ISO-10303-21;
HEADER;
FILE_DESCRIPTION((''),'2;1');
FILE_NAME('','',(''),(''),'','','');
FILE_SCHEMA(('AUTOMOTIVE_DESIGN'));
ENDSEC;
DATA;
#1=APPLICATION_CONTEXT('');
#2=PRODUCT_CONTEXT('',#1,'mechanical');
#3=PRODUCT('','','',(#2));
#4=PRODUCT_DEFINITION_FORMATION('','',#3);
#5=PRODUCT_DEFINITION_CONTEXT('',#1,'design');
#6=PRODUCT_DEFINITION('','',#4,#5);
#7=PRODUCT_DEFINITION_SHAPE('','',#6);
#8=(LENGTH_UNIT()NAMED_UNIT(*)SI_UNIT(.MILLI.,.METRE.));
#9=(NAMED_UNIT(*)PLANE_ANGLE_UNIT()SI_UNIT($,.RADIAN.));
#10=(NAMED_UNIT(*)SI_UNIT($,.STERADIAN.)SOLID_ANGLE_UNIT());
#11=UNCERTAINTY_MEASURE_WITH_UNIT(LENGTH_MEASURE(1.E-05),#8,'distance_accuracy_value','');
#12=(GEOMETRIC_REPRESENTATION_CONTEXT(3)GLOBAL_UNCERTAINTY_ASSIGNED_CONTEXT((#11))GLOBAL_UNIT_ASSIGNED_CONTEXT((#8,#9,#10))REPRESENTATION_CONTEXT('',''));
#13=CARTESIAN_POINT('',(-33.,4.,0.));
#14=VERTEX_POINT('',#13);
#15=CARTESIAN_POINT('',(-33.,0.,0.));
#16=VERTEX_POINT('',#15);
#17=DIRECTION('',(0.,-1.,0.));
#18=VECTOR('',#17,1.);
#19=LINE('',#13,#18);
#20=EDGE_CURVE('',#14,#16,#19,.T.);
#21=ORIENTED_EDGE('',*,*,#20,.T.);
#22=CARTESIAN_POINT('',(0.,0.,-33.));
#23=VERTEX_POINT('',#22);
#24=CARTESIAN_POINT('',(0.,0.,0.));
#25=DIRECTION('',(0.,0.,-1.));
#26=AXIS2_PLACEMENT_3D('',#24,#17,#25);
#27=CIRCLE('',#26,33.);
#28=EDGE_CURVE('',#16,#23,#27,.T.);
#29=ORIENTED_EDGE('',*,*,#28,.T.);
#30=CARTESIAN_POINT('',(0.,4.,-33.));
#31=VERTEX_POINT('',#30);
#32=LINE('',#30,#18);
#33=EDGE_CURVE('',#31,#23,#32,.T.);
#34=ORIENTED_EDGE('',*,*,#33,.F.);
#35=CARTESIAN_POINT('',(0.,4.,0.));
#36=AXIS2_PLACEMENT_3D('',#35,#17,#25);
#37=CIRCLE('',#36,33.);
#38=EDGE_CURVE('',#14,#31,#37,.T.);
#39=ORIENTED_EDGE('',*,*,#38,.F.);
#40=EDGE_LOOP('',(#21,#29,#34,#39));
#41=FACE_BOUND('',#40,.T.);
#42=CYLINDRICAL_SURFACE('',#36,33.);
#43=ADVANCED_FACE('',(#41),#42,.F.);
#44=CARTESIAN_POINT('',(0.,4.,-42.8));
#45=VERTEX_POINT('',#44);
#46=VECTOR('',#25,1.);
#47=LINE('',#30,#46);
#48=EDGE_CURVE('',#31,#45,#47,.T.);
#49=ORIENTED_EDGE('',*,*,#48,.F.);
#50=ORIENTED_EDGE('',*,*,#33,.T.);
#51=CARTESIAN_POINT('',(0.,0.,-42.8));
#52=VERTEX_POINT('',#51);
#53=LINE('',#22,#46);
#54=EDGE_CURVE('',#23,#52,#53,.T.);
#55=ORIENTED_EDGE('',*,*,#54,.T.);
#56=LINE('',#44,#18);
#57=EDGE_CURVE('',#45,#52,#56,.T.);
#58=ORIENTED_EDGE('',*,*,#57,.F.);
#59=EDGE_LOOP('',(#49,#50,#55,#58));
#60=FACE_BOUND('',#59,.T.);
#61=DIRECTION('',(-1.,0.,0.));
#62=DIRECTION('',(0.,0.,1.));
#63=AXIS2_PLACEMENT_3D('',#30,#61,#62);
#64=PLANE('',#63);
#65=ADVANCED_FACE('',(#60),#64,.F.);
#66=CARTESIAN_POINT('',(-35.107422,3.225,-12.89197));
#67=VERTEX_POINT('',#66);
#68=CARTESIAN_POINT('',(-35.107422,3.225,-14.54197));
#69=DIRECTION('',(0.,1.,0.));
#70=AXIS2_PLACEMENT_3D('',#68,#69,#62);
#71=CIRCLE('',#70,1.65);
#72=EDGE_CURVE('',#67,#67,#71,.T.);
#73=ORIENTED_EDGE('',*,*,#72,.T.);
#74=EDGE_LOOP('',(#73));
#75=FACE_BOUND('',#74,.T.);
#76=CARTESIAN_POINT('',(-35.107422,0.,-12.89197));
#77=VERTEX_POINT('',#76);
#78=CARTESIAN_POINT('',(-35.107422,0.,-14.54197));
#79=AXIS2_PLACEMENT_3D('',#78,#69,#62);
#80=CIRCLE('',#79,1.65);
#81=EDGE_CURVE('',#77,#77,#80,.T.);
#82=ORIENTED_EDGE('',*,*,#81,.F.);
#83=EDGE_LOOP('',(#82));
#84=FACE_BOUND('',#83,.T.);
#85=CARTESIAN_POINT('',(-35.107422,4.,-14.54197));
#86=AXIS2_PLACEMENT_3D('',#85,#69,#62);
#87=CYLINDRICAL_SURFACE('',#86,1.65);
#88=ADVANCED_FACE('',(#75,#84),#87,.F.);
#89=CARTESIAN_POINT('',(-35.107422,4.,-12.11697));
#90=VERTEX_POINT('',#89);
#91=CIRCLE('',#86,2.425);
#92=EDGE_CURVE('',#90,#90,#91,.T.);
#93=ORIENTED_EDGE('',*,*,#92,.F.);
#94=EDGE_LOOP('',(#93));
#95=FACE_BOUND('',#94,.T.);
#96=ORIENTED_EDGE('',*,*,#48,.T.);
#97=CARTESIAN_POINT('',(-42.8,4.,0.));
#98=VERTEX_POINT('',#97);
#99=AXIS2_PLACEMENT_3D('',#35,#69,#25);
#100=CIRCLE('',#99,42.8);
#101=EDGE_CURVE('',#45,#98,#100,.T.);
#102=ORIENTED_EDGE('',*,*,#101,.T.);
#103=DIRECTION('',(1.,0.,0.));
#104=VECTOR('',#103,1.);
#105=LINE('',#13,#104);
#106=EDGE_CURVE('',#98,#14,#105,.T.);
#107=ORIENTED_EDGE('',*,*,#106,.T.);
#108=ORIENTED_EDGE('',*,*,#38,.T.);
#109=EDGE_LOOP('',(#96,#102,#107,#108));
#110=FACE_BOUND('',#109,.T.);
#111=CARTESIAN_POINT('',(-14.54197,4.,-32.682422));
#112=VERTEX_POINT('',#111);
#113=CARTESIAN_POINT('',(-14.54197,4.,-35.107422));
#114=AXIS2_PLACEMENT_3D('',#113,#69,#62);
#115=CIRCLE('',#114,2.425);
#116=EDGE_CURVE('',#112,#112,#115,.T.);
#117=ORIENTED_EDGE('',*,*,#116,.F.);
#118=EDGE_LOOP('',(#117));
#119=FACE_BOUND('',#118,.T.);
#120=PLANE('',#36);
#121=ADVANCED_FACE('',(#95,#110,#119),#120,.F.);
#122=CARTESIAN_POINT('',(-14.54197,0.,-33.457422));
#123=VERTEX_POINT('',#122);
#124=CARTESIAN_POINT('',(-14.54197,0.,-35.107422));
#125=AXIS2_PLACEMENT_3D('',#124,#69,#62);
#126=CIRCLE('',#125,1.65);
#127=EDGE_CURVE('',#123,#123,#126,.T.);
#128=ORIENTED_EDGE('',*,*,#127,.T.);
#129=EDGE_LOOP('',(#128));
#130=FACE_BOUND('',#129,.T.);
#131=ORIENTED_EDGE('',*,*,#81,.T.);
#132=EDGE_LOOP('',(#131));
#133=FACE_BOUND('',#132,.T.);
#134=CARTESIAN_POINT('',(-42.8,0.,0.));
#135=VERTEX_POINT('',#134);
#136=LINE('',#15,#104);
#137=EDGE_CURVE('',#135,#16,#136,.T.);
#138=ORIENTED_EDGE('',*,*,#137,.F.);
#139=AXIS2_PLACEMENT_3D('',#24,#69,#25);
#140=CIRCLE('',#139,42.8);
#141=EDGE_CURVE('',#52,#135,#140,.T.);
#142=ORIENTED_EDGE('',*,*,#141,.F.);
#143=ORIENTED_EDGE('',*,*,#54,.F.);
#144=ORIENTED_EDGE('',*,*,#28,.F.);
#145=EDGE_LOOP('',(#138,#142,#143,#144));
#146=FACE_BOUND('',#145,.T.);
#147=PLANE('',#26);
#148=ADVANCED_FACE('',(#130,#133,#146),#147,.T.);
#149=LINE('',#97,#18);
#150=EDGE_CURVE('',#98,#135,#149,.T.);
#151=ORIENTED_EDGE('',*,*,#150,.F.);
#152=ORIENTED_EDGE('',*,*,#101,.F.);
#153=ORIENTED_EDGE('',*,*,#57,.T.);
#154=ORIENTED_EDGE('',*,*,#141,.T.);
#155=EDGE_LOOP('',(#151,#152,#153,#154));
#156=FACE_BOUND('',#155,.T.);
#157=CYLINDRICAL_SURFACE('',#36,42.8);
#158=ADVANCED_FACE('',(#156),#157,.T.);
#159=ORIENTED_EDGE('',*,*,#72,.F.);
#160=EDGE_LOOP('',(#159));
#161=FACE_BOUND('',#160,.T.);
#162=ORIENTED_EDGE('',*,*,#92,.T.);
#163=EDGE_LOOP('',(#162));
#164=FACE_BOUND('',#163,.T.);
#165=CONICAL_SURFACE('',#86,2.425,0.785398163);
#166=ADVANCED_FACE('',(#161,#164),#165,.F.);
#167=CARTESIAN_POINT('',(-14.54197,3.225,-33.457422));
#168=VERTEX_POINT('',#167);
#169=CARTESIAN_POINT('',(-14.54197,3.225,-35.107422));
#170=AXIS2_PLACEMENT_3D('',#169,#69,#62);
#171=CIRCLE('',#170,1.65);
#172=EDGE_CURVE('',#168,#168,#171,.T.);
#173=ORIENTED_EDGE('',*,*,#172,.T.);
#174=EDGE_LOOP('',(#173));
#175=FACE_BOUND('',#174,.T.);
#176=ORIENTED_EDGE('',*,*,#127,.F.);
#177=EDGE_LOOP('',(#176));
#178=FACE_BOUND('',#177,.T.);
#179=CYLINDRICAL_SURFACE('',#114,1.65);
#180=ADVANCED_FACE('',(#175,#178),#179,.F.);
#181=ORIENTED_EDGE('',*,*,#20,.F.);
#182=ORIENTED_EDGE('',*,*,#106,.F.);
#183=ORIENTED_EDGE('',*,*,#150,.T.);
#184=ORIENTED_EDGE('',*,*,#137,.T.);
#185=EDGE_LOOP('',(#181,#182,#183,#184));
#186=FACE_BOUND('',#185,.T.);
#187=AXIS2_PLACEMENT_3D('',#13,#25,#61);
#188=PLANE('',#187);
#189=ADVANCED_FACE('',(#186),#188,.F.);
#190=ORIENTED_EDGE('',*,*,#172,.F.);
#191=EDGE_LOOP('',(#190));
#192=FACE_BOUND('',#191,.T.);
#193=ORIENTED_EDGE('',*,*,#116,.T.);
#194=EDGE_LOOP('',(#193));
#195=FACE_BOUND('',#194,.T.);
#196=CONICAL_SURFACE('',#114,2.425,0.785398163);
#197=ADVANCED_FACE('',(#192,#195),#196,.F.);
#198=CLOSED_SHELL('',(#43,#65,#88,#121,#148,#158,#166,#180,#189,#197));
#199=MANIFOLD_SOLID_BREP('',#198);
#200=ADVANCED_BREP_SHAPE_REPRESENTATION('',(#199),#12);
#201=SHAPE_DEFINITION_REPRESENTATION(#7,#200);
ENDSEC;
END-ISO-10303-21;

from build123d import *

# Parameters (mm, degrees)
BOSS_EXTRUDE1_DEPTH         = 4
M4_TAPPED_HOLE1_D           = 3.3
M4_TAPPED_HOLE1_CSINK_D     = 4.85
M4_TAPPED_HOLE1_CSINK_ANGLE = 90
CIRPATTERN1_COUNT           = 8


with BuildPart() as part:
    # Sketch1 → Boss-Extrude1 (new body)
    with BuildSketch(Plane(origin=(0, 0, 0), x_dir=(1, 0, 0), z_dir=(0, 1, 0))):
        with BuildLine():
            Line((0, 33), (0, 42.8))
            ThreePointArc((0, 42.8), (-30.264170235, 30.264170235), (-42.8, 0))
            Line((-42.8, 0), (-33, 0))
            ThreePointArc((-33, 0), (-23.334523779, 23.334523779), (0, 33))
        make_face()
    extrude(amount=BOSS_EXTRUDE1_DEPTH)

    # M4 Tapped Hole1 (through all)
    with Locations(Plane(origin=(0, 4, 0), x_dir=(1, 0, 0), z_dir=(0, 1, 0))):
        with Locations((-35.107422235, 14.54197043)):
            m4_tapped_hole1 = CounterSinkHole(M4_TAPPED_HOLE1_D / 2, M4_TAPPED_HOLE1_CSINK_D / 2, counter_sink_angle=M4_TAPPED_HOLE1_CSINK_ANGLE)

    # CirPattern1: M4 Tapped Hole1 ×8 about axis, 6 skipped
    cirpattern1_axis = Axis((0, 4, 0), (0, 1, 0))
    add([m4_tapped_hole1.rotate(cirpattern1_axis, i * 360 / CIRPATTERN1_COUNT) for i in range(1, CIRPATTERN1_COUNT) if i not in (1, 2, 3, 4, 5, 6)], mode=Mode.SUBTRACT)


solid = part.part
